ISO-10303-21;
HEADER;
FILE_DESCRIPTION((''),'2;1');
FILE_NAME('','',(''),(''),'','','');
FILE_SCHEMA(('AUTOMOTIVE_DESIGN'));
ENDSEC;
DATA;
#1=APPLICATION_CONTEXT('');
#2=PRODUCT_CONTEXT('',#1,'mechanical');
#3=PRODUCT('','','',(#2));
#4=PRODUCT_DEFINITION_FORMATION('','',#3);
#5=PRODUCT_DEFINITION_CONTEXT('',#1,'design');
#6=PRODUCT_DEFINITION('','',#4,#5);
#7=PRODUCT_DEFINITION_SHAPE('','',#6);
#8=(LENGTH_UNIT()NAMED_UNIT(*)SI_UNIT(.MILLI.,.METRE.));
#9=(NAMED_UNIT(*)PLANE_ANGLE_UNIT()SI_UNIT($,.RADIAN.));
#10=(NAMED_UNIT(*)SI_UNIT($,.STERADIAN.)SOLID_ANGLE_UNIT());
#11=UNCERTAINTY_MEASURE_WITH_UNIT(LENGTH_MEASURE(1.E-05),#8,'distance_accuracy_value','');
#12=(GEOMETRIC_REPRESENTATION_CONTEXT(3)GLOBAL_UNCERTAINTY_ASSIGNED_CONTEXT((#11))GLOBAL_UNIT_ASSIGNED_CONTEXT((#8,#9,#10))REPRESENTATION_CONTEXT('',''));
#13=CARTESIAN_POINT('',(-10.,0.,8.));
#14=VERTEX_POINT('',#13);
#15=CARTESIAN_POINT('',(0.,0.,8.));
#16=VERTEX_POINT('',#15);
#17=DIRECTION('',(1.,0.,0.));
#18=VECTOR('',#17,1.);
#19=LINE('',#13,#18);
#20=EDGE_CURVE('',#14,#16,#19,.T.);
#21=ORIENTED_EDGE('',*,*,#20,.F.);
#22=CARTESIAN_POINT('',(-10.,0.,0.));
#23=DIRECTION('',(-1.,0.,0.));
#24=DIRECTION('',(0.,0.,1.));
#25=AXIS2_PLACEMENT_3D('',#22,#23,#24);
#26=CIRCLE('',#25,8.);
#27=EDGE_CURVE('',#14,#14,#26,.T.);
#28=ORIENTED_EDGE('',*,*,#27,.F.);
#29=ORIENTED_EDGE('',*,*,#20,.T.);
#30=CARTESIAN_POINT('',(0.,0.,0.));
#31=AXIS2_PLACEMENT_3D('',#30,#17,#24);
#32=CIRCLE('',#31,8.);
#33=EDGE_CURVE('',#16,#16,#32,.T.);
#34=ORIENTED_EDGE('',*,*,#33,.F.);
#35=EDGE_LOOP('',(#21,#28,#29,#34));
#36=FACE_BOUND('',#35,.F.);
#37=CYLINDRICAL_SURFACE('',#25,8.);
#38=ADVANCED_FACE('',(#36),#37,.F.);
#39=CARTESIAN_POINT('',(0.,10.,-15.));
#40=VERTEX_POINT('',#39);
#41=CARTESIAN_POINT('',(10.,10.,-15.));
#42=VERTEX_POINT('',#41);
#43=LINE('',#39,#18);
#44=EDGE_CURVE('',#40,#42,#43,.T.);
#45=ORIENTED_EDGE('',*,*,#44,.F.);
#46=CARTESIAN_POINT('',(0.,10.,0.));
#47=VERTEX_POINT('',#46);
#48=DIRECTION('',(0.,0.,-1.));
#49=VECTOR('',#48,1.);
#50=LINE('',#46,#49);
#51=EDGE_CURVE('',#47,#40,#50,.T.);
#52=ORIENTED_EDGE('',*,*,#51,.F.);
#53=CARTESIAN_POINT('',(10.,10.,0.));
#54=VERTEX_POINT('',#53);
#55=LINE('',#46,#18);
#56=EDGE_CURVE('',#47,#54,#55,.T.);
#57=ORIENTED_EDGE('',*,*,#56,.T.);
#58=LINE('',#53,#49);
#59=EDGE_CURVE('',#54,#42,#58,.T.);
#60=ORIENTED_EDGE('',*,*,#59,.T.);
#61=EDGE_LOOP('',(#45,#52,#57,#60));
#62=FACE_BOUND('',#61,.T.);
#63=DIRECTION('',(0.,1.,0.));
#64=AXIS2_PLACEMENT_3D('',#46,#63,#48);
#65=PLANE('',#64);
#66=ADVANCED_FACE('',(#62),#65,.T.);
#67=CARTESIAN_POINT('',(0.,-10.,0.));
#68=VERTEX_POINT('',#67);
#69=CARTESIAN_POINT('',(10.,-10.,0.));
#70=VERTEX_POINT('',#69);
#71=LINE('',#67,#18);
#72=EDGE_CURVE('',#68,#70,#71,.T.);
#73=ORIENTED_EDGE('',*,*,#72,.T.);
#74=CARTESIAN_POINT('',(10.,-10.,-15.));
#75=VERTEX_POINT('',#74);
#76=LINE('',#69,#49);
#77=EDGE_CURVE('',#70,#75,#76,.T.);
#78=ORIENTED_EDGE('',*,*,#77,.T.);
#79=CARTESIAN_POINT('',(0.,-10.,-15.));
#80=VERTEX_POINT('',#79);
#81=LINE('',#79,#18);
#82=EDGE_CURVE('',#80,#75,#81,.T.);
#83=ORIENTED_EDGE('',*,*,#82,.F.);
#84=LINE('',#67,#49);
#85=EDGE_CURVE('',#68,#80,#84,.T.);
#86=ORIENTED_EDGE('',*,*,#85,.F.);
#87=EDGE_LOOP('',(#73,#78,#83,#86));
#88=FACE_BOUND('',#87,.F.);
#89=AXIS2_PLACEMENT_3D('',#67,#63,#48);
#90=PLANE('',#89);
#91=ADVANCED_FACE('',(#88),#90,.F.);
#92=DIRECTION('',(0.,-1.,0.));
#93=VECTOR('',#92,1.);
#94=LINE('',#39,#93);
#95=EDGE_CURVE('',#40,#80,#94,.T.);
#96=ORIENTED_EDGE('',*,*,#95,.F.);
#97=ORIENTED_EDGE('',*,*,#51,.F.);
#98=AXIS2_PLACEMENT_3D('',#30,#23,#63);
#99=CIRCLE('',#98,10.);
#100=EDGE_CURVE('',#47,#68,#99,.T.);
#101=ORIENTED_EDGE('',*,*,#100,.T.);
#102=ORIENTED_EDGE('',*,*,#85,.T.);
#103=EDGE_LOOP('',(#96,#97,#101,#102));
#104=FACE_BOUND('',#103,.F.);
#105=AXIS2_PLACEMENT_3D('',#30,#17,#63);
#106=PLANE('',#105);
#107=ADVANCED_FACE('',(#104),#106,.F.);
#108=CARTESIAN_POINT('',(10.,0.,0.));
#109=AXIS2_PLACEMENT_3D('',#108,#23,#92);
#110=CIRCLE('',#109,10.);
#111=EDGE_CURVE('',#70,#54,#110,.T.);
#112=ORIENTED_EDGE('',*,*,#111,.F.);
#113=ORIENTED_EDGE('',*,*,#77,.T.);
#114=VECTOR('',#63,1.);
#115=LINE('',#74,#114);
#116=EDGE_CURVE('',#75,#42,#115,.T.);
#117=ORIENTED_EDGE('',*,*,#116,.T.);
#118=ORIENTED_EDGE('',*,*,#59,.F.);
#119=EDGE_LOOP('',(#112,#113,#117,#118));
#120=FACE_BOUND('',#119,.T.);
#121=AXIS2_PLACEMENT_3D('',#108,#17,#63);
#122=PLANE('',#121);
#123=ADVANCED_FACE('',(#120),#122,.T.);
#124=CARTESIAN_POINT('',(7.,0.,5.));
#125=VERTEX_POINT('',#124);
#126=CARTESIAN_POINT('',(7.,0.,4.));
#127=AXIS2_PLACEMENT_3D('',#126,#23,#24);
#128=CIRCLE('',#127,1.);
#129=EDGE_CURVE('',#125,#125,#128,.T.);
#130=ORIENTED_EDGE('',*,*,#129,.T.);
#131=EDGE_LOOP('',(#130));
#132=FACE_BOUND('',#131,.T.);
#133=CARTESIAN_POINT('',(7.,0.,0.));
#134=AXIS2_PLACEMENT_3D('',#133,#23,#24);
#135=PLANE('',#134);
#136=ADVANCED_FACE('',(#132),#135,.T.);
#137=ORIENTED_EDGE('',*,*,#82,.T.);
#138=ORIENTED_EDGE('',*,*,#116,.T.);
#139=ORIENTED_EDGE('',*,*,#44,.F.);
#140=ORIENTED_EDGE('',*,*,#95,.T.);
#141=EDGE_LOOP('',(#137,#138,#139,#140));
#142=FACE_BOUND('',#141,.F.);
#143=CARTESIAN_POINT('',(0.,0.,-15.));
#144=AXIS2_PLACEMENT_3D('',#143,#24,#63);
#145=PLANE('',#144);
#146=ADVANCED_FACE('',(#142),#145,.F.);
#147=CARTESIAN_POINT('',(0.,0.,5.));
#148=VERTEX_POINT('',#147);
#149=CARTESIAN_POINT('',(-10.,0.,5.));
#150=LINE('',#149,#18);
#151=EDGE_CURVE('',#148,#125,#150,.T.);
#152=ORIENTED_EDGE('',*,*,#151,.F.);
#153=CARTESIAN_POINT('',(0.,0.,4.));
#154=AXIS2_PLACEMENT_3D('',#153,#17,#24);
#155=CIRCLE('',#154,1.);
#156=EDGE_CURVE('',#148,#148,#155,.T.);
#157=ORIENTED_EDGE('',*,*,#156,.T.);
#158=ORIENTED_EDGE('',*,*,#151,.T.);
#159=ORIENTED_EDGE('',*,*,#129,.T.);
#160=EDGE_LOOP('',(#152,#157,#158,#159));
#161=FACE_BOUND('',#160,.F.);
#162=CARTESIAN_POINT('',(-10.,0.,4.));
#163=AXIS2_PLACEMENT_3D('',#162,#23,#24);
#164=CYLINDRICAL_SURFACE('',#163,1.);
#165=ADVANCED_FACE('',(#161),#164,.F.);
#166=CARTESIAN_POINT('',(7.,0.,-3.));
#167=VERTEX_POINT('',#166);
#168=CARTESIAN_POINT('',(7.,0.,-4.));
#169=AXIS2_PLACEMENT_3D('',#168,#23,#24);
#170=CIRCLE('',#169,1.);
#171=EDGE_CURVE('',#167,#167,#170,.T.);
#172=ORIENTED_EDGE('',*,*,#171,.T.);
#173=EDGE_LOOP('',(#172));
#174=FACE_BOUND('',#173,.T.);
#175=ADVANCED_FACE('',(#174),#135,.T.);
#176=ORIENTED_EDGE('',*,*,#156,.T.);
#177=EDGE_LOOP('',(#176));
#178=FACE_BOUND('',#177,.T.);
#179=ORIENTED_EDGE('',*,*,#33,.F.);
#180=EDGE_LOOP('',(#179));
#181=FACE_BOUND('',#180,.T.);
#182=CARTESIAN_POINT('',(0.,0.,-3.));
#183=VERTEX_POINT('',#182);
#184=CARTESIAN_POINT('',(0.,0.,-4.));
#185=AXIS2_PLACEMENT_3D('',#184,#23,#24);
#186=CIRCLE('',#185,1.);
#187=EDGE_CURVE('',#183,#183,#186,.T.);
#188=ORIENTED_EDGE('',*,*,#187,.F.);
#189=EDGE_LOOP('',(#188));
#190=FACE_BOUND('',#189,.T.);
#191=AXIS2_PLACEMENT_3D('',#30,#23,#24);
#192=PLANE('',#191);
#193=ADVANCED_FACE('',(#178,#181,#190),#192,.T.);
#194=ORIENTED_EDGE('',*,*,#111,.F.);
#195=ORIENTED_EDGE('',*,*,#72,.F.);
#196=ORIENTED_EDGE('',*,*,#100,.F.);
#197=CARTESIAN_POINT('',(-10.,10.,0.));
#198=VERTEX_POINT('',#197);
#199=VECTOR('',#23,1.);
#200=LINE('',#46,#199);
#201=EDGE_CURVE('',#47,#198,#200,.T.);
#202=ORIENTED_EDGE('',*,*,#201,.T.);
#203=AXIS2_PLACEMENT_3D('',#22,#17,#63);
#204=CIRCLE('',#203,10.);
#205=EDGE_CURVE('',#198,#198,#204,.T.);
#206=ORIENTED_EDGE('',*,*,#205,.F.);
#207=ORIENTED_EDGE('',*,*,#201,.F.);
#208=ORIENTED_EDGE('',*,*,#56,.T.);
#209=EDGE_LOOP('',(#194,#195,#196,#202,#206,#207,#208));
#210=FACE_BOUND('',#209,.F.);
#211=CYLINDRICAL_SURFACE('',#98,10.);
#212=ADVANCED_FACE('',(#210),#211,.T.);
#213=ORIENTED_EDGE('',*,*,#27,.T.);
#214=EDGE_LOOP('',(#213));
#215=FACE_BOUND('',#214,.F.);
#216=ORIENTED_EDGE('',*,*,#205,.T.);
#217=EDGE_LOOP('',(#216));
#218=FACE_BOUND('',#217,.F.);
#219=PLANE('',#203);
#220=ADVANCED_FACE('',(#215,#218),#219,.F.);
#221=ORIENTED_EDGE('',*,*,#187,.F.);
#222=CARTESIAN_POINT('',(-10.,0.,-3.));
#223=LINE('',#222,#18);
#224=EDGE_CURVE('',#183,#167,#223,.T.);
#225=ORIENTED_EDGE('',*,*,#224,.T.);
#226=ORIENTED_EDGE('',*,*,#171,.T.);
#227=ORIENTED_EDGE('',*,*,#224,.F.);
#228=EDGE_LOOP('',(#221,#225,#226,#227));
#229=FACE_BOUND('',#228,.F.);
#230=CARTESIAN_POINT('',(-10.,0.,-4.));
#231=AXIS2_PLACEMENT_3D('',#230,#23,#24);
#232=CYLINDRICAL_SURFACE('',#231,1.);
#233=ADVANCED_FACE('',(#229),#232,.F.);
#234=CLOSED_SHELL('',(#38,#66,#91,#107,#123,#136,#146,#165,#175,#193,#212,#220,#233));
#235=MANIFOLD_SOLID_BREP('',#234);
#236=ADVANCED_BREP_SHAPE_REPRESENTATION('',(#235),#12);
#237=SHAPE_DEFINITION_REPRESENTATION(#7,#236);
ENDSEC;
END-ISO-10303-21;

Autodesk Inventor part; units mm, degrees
ref_plane "YZ Plane" through (0, 0, 0) normal (1, 0, 0) x (0, 1, 0)
ref_plane "XZ Plane" through (0, 0, 0) normal (0, 1, 0) x (-1, 0, 0)
ref_plane "XY Plane" through (0, 0, 0) normal (0, 0, 1) x (1, 0, 0)
sketch "Szkic1" plane through (0, 0, 0) normal (1, 0, 0) x (0, 1, 0)
  circle A0 centre (0, 0) radius 10
  line L0 (-14, 0) -> (14, 0) projected
  line L1 (0, -20) -> (0, 15) projected
  line L2 (10, 0) -> (10, -15)
  line L3 (-10, -15) -> (10, -15)
  line L4 (-10, 0) -> (-10, -15)
  dimension "d0" = 20
  dimension "d3" = 15
extrude "Wyciągnięcie proste2" add sketch "Szkic1" along normal blind 10
extrude "Wyciągnięcie proste3" add sketch "Szkic1" against normal blind 10 contours L0 L1 A0 | A0 L1 L0 | L1 L0 A0 | A0 L0 L1
sketch "Szkic2" plane through (-10, 0, 0) normal (-1, 0, 0) x (0, 0, 1)
  circle A0 centre (0, 0) radius 10 projected
  circle A1 centre (0, 0) radius 8
  line L0 (-20, 0) -> (15, 0) projected
  line L1 (0, -14) -> (0, 14) projected
  circle A2 centre (-4, 0) radius 1
  circle A3 centre (4, 0) radius 1
  dimension "d8" = 16
  dimension "d9" = 2
  dimension "d12" = 8
extrude "Wyciągnięcie proste4" cut sketch "Szkic2" against normal blind 10 contours L0 A3 L1 A1 | A1 L1 L0 A3 | L1 L0 A2 A1 | A1 L0 A2 L1
extrude "Wyciągnięcie proste5" cut sketch "Szkic2" against normal blind 17 contours A3 L0 | L0 A3 | A2 L0 | L0 A2
equation "\"d12\" = 0.5 * d8"
properties part number "uchwytG5"
